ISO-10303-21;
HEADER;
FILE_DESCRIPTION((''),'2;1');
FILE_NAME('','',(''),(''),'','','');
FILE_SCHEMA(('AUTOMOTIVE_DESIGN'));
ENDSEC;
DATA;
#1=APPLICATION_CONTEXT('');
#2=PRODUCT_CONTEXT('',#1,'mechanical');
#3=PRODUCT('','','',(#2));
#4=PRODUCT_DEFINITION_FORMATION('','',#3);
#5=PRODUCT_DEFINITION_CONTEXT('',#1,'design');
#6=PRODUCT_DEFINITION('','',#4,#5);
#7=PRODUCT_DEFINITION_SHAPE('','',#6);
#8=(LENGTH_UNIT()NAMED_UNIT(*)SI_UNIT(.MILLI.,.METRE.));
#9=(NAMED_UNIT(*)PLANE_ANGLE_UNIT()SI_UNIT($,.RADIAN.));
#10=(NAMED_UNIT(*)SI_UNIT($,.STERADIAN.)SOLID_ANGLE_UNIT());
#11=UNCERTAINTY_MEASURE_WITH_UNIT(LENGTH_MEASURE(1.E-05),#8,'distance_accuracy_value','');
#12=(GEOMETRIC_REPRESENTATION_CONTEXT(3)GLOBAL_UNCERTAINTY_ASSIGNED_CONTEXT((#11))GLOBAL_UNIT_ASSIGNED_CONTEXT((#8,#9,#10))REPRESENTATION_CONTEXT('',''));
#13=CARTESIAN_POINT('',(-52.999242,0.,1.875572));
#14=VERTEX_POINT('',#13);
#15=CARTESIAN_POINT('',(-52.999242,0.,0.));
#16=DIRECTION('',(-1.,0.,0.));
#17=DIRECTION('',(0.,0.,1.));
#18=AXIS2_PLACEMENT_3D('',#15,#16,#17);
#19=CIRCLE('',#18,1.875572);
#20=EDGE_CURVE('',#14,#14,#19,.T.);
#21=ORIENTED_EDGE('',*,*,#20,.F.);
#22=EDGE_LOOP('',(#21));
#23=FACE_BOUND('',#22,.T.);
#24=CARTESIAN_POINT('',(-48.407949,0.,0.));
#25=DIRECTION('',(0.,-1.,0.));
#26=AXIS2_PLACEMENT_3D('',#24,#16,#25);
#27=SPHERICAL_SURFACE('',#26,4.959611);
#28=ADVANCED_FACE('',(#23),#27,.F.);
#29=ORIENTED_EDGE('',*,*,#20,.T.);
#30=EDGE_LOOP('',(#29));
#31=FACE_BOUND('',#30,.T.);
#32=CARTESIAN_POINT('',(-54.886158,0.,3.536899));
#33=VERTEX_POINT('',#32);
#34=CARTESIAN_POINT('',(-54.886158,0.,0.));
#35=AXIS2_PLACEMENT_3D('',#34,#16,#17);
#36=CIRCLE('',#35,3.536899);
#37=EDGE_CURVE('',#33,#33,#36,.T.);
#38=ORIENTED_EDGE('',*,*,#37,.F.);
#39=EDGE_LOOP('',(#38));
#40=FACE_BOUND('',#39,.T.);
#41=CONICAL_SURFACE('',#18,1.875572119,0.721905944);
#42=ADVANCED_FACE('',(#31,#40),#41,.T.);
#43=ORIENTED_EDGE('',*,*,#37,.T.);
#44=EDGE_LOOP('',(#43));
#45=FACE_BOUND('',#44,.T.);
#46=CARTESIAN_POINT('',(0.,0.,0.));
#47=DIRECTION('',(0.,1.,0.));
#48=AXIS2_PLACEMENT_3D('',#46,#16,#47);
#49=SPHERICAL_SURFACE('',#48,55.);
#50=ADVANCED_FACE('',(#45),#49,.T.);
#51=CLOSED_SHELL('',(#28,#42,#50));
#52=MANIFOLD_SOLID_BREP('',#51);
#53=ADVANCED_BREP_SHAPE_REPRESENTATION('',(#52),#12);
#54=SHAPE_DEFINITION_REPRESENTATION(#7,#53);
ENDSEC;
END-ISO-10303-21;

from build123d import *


with BuildPart() as part:
    # 草图1 → 旋转1 (revolve)
    with BuildSketch(Plane.XY, mode=Mode.PRIVATE) as revolve_1_sk:
        with BuildLine():
            Line((-55, 0), (-53.367559904, 0))
            ThreePointArc((-53.367559904, 0), (-53.274609358, 0.95569726), (-52.999241783, 1.875572119))
            Line((-52.999241783, 1.875572119), (-54.88615803, 3.5368993))
            ThreePointArc((-54.88615803, 3.5368993), (-54.97153214, 1.769365469), (-55, 0))
        make_face()
    revolve(revolve_1_sk.sketch.rotate(Axis((-55, 0, 0), (1, 0, 0)), 90), axis=Axis((-55, 0, 0), (1, 0, 0)))


solid = part.part
